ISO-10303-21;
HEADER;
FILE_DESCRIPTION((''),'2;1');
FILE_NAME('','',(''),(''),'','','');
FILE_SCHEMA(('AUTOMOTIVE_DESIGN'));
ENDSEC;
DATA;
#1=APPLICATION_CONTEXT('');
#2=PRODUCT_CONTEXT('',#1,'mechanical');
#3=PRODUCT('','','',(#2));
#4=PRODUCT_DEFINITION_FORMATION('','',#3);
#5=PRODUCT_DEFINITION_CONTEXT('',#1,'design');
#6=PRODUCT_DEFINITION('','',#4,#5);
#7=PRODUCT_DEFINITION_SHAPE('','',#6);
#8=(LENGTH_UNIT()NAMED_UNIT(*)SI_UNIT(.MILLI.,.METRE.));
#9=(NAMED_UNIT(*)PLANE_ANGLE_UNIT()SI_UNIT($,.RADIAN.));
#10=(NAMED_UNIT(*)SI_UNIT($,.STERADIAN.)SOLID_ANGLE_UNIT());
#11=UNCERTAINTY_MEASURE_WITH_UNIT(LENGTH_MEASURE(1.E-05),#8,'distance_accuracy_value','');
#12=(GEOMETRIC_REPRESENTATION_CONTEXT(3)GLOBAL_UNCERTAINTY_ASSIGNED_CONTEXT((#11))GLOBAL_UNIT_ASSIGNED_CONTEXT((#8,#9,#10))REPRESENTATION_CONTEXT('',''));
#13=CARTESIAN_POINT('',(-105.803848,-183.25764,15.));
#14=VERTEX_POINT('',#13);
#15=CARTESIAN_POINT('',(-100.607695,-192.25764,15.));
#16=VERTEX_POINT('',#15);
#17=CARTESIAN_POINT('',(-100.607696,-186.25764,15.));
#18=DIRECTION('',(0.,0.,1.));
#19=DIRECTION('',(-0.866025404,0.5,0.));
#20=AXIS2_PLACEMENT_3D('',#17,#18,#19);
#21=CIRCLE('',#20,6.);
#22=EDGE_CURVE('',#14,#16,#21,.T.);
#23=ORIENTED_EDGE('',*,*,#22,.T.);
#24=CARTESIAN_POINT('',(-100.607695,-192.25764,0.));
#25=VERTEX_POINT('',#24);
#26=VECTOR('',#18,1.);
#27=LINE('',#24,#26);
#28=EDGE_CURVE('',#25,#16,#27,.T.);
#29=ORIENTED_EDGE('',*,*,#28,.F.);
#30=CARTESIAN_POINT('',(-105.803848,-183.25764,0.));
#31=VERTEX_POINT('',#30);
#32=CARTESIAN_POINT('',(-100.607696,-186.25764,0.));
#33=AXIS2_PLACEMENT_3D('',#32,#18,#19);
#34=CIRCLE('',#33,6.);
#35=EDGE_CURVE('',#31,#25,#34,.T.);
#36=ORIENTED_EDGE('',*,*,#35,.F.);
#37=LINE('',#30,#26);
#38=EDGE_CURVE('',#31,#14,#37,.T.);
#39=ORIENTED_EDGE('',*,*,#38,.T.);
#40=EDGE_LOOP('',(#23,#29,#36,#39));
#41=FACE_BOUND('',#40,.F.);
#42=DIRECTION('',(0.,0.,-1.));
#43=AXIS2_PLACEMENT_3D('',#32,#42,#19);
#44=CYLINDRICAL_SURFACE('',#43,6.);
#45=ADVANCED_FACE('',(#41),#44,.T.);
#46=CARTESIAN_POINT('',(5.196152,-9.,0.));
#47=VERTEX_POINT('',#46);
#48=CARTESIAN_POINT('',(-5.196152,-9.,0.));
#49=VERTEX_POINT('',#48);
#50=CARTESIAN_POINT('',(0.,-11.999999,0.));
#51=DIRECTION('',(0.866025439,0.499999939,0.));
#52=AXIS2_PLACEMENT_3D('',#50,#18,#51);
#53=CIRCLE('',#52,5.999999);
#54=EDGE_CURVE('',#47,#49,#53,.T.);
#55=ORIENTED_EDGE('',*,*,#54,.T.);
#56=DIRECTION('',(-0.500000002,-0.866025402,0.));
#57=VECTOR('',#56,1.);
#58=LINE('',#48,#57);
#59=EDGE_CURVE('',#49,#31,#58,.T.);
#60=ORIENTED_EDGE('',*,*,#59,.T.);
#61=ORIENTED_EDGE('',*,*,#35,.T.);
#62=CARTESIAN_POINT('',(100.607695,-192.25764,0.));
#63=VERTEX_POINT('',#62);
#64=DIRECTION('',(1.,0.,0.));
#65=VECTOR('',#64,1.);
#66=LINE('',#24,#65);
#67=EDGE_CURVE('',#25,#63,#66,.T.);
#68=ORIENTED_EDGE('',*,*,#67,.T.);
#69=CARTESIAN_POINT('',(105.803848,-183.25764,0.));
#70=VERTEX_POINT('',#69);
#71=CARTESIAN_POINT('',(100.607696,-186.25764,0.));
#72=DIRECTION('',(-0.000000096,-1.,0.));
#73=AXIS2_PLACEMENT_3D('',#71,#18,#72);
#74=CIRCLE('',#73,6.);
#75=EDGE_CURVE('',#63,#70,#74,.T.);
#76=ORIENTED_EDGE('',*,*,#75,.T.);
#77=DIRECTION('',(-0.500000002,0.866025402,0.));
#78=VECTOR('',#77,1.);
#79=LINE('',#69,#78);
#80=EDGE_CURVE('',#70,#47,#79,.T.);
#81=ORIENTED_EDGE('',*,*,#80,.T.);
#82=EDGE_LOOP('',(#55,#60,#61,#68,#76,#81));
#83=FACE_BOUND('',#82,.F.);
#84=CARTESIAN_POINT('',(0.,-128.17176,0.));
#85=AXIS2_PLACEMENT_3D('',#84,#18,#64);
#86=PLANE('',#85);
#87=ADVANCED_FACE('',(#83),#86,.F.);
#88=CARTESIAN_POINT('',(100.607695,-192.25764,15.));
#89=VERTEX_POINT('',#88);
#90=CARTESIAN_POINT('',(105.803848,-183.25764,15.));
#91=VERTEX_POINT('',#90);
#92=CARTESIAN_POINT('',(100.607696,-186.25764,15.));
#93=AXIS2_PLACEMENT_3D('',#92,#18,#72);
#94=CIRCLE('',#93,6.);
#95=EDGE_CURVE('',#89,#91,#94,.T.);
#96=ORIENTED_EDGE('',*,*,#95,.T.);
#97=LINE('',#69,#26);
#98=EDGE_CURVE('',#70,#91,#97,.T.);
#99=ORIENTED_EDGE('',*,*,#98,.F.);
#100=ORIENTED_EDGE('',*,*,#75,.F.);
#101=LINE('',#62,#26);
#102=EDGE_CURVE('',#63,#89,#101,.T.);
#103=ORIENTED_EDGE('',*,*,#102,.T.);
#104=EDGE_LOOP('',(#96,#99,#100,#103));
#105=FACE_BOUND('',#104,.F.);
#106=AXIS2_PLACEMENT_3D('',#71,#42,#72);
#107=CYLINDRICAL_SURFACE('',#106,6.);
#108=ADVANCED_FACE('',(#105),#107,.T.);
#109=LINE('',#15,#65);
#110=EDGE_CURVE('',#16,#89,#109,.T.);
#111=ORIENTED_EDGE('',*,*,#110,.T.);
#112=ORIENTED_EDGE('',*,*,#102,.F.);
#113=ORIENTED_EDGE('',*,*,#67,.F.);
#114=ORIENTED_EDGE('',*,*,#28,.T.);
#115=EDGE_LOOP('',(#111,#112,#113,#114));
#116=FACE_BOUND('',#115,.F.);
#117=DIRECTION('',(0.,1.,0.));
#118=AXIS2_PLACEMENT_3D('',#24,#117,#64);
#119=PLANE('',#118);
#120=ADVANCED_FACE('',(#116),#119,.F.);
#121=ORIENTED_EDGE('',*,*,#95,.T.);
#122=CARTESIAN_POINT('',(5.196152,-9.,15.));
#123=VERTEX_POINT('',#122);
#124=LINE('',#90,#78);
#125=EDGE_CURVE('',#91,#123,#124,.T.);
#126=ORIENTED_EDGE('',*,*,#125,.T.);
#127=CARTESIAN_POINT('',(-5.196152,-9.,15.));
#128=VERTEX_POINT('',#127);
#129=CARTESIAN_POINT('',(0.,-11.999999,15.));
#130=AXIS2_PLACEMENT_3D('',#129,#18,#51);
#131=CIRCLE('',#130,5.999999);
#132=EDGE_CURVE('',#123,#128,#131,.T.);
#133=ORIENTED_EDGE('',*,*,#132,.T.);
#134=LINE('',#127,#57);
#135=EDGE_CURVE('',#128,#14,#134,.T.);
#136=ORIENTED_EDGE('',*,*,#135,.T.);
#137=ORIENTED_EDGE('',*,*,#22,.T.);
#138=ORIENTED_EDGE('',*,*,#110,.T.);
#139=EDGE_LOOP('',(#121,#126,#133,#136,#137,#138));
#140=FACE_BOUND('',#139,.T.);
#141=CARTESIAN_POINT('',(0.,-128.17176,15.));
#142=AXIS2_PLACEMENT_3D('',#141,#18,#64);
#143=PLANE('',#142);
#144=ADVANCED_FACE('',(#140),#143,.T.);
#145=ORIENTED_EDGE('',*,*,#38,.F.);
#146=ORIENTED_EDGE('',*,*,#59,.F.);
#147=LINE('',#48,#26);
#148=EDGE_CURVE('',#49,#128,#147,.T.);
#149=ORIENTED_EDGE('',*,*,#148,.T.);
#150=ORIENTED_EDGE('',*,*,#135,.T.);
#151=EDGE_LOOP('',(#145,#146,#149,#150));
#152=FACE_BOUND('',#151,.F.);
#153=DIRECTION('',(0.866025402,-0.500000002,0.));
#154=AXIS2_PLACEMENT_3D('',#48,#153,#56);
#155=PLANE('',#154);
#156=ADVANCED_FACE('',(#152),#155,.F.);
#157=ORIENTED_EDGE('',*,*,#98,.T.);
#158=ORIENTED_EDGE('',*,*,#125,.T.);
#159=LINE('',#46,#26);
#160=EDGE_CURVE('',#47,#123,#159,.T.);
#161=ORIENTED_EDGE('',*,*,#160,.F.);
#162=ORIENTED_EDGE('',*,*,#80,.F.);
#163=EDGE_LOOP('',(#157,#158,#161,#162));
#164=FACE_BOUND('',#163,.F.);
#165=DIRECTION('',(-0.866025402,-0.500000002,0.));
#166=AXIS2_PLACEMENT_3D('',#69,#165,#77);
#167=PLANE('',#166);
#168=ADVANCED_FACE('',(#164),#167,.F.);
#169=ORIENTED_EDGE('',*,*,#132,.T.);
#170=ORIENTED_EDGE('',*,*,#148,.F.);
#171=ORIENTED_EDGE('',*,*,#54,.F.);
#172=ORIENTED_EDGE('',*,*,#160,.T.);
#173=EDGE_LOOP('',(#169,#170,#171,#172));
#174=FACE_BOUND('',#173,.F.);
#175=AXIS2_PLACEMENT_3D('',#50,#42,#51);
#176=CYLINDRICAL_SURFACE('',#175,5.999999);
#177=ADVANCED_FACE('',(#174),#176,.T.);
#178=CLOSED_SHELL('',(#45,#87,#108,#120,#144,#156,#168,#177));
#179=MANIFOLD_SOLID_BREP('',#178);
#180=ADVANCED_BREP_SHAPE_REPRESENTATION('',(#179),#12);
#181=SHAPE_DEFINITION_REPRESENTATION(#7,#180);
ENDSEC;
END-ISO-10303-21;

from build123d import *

# Parameters (mm, degrees)
F1_DEPTH = 15


with BuildPart() as f1:
    # F0 (on Top) → F1 (new body)
    with BuildSketch(Plane.XY):
        with BuildLine():
            ThreePointArc((5.196152, -9), (0, -6), (-5.196152, -9))
            Line((-5.196152, -9), (-105.803848, -183.25764))
            ThreePointArc((-105.803848, -183.25764), (-105.803848, -189.25764), (-100.607695, -192.25764))
            Line((-100.607695, -192.25764), (100.607695, -192.25764))
            ThreePointArc((100.607695, -192.25764), (105.803848, -189.25764), (105.803848, -183.25764))
            Line((105.803848, -183.25764), (5.196152, -9))
        make_face()
    extrude(amount=F1_DEPTH)


solid = f1.part
